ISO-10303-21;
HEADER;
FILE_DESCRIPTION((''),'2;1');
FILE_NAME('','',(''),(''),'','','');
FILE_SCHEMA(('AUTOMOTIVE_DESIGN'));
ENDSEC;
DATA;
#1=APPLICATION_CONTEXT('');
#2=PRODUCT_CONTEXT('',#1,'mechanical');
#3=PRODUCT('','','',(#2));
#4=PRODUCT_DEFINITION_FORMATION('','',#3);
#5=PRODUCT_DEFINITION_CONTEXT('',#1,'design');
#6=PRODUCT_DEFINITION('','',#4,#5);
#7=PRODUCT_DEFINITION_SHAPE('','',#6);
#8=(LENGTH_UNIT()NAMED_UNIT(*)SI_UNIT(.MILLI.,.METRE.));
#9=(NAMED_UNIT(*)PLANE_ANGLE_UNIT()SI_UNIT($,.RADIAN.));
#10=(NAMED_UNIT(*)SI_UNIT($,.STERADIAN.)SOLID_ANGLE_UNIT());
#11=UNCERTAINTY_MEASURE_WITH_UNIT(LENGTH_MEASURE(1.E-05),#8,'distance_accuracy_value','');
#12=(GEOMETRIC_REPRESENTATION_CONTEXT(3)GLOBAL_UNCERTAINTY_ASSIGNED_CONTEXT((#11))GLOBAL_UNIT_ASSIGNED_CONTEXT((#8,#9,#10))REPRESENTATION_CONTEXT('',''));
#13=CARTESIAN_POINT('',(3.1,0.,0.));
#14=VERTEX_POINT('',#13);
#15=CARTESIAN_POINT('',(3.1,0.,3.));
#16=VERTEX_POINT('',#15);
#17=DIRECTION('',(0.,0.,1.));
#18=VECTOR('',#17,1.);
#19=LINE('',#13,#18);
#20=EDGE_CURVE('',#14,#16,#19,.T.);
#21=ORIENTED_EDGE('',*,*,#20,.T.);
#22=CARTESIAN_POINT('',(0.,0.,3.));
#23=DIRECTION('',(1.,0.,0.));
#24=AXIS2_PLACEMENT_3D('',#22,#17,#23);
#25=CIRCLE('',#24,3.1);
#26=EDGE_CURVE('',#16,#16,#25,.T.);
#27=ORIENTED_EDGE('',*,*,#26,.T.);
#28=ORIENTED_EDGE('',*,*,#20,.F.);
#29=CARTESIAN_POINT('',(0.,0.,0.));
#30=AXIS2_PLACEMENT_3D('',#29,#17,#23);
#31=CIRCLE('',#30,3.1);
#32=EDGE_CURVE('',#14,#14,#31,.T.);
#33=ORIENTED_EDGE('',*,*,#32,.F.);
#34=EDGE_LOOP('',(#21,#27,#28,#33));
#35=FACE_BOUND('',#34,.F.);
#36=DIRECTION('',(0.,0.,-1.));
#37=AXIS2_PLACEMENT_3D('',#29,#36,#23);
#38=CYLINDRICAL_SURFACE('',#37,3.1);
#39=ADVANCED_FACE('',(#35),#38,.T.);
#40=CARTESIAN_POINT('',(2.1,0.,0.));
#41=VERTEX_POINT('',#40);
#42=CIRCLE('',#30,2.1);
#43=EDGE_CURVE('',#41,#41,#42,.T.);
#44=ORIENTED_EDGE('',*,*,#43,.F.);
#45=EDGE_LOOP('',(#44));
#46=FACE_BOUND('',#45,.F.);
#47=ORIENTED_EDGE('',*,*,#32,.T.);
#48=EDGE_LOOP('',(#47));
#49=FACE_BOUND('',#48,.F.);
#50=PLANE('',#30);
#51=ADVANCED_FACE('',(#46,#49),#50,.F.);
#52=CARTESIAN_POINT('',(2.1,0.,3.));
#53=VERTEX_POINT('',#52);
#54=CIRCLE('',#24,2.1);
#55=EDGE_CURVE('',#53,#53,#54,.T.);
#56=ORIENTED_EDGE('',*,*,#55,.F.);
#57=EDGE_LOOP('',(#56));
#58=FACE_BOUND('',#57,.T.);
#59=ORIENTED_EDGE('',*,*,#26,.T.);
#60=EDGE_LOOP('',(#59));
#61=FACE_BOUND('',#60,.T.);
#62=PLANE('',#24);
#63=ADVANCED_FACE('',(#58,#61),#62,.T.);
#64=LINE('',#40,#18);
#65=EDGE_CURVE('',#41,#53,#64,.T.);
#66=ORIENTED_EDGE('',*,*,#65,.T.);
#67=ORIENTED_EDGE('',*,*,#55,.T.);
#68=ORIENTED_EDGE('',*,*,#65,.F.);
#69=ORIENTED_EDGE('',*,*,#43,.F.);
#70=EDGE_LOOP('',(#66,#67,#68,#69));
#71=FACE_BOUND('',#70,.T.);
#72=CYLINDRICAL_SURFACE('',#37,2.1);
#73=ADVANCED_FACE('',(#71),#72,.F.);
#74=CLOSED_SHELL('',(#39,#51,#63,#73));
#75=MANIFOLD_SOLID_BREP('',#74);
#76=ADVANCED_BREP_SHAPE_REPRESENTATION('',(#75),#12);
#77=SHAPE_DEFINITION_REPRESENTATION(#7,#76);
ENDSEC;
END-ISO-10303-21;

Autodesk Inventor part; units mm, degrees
ref_plane "YZ Plane" through (0, 0, 0) normal (1, 0, 0) x (0, 1, 0)
ref_plane "XZ Plane" through (0, 0, 0) normal (0, 1, 0) x (-1, 0, 0)
ref_plane "XY Plane" through (0, 0, 0) normal (0, 0, 1) x (1, 0, 0)
sketch "Skizze1" plane through (0, 0, 0) normal (0, 0, 1) x (1, 0, 0)
  circle A0 centre (0, 0) radius 2.1
  circle A1 centre (0, 0) radius 3.1
  dimension "d0" = 4.2
  dimension "d4" = 6.2
extrude "Extrusion1" add sketch "Skizze1" along normal blind 3
properties part number "BushOmniWheel"
